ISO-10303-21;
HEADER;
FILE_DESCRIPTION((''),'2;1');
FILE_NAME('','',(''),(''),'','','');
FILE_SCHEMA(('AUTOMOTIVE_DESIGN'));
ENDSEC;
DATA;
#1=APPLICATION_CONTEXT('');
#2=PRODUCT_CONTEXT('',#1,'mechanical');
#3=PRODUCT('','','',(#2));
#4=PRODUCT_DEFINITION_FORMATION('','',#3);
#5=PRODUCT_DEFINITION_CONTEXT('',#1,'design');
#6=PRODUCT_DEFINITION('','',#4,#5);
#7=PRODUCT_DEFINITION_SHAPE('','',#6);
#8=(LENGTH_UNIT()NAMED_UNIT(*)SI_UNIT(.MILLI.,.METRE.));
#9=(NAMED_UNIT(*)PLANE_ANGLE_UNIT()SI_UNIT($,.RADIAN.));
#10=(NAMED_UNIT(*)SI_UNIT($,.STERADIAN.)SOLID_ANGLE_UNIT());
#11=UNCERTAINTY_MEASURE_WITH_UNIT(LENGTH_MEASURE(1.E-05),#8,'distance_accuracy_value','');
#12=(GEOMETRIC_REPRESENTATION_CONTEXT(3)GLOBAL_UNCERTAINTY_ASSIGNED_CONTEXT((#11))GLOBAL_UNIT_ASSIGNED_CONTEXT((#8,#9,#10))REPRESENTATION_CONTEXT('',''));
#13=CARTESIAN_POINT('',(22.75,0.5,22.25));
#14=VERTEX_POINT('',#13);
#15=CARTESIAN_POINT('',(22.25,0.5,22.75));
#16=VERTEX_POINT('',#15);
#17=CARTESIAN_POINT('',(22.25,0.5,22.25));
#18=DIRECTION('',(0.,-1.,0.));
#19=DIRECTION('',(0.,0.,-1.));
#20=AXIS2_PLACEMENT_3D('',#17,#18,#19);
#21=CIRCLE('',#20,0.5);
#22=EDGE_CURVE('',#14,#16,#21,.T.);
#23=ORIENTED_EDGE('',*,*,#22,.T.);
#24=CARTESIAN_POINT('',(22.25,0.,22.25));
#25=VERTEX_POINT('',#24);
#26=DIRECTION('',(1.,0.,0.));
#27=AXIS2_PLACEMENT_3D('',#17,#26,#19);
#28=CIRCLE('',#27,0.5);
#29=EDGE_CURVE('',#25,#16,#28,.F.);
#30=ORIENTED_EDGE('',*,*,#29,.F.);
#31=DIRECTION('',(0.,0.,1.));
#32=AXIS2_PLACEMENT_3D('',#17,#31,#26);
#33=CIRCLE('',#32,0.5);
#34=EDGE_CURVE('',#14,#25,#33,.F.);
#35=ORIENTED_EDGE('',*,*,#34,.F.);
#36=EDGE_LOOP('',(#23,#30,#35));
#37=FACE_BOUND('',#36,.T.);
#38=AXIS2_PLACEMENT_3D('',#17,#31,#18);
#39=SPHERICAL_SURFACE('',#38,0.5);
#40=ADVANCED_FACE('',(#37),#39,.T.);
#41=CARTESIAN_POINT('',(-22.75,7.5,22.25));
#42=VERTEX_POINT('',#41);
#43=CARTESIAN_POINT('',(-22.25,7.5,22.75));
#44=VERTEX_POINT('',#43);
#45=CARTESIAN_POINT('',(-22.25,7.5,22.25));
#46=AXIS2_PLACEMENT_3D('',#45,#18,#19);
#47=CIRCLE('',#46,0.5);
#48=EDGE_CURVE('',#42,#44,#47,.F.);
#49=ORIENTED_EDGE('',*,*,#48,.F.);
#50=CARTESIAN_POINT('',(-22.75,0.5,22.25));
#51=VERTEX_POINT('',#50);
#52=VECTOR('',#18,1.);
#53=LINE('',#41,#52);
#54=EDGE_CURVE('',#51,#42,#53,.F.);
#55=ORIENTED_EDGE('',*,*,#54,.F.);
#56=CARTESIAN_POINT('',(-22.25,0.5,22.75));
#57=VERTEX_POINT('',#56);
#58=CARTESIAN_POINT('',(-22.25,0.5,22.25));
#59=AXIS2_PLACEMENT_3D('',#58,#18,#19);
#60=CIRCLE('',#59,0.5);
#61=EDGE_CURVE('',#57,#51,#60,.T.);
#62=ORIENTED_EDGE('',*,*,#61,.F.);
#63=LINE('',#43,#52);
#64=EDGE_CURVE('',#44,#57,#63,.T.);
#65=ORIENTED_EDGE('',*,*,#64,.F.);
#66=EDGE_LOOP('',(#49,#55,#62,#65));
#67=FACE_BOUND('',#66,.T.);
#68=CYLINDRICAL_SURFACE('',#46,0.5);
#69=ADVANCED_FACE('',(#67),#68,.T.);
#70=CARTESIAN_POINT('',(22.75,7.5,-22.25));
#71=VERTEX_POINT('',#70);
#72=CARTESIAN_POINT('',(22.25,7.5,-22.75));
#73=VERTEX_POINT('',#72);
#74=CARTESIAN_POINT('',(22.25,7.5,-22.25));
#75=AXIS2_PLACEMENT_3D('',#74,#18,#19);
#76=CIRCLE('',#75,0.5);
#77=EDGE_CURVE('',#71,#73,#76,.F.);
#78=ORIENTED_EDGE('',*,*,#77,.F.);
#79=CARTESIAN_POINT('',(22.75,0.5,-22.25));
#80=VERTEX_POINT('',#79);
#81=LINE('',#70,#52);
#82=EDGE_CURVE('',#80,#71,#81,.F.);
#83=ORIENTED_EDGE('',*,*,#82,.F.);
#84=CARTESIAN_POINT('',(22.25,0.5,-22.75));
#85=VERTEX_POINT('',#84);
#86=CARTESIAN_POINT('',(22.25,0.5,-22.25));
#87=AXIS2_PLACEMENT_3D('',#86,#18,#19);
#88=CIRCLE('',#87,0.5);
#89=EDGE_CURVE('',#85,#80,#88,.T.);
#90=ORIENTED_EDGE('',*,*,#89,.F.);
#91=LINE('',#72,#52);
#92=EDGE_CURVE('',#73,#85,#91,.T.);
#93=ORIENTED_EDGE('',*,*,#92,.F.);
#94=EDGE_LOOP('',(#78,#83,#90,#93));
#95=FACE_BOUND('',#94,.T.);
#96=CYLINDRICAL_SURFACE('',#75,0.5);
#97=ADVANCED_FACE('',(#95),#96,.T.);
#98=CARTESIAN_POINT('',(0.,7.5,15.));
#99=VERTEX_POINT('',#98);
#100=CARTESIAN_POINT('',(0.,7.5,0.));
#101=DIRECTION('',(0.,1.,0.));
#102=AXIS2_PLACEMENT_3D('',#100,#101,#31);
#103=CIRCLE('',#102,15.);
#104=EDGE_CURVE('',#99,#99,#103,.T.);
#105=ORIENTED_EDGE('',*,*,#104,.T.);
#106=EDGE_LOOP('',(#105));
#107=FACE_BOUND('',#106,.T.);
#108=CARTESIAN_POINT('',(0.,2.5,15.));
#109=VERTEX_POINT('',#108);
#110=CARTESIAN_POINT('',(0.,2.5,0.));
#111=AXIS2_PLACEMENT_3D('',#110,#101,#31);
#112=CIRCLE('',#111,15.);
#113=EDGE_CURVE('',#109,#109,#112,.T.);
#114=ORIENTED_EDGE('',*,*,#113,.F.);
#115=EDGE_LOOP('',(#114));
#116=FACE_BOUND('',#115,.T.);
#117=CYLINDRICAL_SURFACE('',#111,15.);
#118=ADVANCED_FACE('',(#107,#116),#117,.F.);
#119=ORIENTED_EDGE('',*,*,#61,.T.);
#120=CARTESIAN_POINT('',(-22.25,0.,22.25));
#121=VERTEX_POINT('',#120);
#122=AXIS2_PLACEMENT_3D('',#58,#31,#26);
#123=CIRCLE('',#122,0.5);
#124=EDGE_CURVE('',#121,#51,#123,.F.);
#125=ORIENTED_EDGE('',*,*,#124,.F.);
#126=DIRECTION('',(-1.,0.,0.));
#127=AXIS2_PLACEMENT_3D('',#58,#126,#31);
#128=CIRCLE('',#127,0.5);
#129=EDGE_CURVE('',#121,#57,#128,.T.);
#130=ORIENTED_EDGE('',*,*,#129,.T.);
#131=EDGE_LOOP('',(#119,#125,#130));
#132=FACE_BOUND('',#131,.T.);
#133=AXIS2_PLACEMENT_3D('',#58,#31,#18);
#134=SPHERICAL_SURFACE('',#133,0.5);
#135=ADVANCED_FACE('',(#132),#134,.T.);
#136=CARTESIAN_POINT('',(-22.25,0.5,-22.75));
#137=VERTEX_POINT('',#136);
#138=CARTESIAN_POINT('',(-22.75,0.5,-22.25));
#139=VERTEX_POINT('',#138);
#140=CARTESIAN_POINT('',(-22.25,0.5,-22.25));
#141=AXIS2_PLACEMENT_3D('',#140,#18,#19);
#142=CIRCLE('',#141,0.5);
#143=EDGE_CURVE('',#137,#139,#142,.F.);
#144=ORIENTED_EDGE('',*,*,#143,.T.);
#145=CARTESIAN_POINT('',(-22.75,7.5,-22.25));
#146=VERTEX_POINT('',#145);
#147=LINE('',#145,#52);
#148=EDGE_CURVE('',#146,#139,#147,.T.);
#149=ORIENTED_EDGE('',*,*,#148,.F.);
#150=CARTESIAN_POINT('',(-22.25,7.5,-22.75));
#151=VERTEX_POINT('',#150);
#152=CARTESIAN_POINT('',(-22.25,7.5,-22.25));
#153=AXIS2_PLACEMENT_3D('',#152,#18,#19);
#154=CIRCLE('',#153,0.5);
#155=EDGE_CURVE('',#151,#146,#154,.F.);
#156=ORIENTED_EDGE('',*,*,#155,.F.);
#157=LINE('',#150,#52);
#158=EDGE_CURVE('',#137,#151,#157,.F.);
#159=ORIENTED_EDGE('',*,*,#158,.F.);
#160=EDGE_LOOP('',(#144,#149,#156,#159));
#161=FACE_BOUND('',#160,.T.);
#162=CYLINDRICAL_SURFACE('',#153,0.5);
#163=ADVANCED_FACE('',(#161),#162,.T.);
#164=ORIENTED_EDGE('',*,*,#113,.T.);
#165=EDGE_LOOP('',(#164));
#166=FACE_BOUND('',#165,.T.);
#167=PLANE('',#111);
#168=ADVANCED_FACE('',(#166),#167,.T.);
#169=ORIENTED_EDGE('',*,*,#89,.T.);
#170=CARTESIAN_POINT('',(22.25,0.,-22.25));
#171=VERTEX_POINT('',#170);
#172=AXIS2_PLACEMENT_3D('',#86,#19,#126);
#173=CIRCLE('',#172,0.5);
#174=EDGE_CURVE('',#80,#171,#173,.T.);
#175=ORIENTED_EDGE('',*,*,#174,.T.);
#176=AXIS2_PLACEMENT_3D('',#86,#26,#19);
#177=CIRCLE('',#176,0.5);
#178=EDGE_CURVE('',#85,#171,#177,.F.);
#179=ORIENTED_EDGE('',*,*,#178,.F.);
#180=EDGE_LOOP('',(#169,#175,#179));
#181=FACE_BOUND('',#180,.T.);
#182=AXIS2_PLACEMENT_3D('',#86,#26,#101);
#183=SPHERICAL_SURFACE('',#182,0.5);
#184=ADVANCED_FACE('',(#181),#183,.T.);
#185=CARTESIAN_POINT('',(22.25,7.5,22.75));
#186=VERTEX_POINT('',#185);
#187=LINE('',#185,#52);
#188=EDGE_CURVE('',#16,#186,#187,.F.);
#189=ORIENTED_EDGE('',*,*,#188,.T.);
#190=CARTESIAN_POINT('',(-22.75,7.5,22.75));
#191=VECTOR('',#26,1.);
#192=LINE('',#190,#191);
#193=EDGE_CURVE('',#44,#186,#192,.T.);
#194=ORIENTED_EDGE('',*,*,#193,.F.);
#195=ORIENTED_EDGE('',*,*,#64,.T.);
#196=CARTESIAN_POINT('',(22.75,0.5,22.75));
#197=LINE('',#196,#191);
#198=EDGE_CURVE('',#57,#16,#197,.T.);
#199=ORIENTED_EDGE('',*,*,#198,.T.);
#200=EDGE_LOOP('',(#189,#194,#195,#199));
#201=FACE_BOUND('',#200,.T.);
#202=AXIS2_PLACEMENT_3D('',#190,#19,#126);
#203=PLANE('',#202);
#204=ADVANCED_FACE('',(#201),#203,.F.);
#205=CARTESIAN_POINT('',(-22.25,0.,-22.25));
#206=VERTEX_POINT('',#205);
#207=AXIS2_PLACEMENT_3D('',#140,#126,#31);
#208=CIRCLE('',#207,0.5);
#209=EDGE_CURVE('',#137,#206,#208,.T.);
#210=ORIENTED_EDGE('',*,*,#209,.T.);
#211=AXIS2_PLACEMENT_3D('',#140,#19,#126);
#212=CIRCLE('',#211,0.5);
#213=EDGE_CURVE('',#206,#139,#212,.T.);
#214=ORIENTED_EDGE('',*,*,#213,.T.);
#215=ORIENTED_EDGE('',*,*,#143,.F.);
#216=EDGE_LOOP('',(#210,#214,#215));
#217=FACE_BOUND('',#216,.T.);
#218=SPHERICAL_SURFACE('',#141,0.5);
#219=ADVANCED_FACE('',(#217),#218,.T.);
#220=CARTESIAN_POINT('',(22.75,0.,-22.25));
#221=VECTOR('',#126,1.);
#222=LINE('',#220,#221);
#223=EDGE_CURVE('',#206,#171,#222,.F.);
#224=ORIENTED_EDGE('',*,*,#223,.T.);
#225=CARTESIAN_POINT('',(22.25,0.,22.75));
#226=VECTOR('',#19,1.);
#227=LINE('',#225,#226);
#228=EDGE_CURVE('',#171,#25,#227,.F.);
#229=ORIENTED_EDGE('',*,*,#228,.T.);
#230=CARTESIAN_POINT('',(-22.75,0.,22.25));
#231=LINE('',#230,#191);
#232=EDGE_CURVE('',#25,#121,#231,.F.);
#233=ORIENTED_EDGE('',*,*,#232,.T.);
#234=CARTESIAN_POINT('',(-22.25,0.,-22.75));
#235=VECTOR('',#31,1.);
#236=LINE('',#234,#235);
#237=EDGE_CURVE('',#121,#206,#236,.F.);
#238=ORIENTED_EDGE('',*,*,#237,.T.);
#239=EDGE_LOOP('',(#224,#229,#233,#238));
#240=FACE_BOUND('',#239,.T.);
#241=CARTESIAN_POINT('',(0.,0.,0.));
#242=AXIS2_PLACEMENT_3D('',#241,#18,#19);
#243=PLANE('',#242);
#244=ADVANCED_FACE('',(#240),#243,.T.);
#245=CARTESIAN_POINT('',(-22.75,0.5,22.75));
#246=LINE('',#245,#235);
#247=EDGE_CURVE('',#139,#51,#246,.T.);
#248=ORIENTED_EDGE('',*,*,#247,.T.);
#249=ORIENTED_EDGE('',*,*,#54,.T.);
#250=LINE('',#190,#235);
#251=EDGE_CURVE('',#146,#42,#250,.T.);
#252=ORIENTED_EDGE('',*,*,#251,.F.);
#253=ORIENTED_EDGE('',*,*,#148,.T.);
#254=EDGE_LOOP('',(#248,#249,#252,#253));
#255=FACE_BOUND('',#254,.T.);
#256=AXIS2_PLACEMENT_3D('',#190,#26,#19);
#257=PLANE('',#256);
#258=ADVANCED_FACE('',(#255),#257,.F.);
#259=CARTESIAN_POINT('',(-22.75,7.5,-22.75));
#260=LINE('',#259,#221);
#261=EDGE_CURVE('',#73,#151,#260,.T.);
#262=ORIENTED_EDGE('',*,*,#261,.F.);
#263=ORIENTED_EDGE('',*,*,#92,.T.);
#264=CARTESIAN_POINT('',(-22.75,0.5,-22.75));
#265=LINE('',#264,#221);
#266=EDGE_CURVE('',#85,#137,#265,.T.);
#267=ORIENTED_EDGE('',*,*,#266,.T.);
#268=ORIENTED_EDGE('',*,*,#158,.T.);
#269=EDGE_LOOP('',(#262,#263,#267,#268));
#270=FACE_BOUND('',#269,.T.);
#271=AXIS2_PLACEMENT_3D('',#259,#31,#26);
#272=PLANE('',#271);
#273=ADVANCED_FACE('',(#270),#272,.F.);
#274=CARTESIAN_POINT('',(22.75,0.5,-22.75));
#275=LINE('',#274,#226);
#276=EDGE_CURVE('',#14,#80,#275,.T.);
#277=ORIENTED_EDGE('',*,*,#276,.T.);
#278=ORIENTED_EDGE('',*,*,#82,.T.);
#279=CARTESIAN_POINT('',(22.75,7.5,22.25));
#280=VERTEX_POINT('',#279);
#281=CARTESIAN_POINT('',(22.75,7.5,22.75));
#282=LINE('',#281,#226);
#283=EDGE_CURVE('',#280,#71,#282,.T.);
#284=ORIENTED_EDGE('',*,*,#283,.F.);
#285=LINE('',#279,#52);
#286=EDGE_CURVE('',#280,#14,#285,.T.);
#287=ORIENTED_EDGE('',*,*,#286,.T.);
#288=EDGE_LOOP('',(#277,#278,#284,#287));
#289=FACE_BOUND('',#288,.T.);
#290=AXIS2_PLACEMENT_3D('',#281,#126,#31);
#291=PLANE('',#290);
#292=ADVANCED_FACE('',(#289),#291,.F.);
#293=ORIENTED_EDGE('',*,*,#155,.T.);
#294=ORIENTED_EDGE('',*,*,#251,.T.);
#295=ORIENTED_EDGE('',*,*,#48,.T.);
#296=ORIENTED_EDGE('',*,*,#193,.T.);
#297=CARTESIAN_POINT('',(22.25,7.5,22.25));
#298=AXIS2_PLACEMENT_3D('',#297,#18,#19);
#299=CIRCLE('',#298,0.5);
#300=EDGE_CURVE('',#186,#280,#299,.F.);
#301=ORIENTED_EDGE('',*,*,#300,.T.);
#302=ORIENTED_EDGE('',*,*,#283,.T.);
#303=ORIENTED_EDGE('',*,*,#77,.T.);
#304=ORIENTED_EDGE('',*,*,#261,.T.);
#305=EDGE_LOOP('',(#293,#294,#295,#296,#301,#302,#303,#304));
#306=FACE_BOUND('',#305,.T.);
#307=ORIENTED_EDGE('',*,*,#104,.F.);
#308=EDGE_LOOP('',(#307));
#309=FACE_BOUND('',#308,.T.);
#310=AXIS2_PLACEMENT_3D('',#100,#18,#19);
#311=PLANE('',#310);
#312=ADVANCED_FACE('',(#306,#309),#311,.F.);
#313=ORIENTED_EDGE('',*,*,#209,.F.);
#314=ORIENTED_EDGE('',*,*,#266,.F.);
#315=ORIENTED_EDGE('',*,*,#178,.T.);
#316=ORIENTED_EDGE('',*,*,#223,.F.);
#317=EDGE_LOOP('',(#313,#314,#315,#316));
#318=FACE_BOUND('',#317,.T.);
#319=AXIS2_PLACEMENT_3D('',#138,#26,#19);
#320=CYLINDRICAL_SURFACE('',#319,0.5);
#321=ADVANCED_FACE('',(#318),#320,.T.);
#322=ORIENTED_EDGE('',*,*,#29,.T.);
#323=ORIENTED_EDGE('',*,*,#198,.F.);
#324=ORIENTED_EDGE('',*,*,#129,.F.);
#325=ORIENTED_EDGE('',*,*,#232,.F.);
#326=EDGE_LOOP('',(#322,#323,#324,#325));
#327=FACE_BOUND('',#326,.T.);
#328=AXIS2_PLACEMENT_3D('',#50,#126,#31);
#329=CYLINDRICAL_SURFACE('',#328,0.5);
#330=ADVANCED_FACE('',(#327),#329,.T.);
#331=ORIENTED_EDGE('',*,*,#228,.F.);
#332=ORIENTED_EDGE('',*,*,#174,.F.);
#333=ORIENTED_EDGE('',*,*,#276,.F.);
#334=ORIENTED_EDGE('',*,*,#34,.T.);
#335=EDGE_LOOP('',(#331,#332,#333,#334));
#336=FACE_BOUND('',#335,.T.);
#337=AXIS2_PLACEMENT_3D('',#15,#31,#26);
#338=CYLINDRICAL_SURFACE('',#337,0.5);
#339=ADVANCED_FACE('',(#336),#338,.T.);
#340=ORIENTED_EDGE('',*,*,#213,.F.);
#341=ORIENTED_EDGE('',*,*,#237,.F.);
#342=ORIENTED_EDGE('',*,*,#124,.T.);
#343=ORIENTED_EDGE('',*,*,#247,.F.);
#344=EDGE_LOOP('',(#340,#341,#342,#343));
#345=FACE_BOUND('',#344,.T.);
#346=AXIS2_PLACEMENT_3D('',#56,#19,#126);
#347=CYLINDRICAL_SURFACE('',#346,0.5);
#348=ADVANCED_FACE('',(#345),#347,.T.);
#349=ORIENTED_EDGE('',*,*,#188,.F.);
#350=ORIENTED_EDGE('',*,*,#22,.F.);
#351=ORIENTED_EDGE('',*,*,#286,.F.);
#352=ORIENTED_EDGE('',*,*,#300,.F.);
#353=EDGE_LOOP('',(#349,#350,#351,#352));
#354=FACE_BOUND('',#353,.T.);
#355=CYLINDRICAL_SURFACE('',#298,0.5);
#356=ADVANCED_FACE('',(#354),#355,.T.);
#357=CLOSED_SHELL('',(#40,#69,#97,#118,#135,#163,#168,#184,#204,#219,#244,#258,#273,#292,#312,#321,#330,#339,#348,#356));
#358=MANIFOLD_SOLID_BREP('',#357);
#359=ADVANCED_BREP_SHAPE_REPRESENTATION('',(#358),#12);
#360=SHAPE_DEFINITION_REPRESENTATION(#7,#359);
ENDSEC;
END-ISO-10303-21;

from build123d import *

# Parameters (mm, degrees)
SKETCH1_W           = 45.5
SKETCH1_H           = 45.5
BOSS_EXTRUDE1_DEPTH = 7.5
FILLET1_R           = 0.5
SKETCH2_R           = 15
CUT_EXTRUDE1_DEPTH  = 5


with BuildPart() as part:
    # Sketch1 → Boss-Extrude1 (new body)
    with BuildSketch(Plane(origin=(0, 0, 0), x_dir=(1, 0, 0), z_dir=(0, 1, 0))):
        Rectangle(SKETCH1_W, SKETCH1_H)
    extrude(amount=BOSS_EXTRUDE1_DEPTH)

    # Fillet1
    fillet1_edges = [part.edges().sort_by_distance(p)[0] for p in [
        (0, 0, 22.75),
        (-22.75, 0, 0),
        (0, 0, -22.75),
        (22.75, 0, 0),
        (22.75, 3.75, 22.75),
        (-22.75, 3.75, 22.75),
        (-22.75, 3.75, -22.75),
        (22.75, 3.75, -22.75),
    ]]
    fillet(fillet1_edges, radius=FILLET1_R)

    # Sketch2 → Cut-Extrude1 (cut)
    with BuildSketch(Plane(origin=(0, 7.5, 0), x_dir=(1, 0, 0), z_dir=(0, 1, 0))):
        Circle(SKETCH2_R)
    extrude(amount=-CUT_EXTRUDE1_DEPTH, mode=Mode.SUBTRACT)


solid = part.part
